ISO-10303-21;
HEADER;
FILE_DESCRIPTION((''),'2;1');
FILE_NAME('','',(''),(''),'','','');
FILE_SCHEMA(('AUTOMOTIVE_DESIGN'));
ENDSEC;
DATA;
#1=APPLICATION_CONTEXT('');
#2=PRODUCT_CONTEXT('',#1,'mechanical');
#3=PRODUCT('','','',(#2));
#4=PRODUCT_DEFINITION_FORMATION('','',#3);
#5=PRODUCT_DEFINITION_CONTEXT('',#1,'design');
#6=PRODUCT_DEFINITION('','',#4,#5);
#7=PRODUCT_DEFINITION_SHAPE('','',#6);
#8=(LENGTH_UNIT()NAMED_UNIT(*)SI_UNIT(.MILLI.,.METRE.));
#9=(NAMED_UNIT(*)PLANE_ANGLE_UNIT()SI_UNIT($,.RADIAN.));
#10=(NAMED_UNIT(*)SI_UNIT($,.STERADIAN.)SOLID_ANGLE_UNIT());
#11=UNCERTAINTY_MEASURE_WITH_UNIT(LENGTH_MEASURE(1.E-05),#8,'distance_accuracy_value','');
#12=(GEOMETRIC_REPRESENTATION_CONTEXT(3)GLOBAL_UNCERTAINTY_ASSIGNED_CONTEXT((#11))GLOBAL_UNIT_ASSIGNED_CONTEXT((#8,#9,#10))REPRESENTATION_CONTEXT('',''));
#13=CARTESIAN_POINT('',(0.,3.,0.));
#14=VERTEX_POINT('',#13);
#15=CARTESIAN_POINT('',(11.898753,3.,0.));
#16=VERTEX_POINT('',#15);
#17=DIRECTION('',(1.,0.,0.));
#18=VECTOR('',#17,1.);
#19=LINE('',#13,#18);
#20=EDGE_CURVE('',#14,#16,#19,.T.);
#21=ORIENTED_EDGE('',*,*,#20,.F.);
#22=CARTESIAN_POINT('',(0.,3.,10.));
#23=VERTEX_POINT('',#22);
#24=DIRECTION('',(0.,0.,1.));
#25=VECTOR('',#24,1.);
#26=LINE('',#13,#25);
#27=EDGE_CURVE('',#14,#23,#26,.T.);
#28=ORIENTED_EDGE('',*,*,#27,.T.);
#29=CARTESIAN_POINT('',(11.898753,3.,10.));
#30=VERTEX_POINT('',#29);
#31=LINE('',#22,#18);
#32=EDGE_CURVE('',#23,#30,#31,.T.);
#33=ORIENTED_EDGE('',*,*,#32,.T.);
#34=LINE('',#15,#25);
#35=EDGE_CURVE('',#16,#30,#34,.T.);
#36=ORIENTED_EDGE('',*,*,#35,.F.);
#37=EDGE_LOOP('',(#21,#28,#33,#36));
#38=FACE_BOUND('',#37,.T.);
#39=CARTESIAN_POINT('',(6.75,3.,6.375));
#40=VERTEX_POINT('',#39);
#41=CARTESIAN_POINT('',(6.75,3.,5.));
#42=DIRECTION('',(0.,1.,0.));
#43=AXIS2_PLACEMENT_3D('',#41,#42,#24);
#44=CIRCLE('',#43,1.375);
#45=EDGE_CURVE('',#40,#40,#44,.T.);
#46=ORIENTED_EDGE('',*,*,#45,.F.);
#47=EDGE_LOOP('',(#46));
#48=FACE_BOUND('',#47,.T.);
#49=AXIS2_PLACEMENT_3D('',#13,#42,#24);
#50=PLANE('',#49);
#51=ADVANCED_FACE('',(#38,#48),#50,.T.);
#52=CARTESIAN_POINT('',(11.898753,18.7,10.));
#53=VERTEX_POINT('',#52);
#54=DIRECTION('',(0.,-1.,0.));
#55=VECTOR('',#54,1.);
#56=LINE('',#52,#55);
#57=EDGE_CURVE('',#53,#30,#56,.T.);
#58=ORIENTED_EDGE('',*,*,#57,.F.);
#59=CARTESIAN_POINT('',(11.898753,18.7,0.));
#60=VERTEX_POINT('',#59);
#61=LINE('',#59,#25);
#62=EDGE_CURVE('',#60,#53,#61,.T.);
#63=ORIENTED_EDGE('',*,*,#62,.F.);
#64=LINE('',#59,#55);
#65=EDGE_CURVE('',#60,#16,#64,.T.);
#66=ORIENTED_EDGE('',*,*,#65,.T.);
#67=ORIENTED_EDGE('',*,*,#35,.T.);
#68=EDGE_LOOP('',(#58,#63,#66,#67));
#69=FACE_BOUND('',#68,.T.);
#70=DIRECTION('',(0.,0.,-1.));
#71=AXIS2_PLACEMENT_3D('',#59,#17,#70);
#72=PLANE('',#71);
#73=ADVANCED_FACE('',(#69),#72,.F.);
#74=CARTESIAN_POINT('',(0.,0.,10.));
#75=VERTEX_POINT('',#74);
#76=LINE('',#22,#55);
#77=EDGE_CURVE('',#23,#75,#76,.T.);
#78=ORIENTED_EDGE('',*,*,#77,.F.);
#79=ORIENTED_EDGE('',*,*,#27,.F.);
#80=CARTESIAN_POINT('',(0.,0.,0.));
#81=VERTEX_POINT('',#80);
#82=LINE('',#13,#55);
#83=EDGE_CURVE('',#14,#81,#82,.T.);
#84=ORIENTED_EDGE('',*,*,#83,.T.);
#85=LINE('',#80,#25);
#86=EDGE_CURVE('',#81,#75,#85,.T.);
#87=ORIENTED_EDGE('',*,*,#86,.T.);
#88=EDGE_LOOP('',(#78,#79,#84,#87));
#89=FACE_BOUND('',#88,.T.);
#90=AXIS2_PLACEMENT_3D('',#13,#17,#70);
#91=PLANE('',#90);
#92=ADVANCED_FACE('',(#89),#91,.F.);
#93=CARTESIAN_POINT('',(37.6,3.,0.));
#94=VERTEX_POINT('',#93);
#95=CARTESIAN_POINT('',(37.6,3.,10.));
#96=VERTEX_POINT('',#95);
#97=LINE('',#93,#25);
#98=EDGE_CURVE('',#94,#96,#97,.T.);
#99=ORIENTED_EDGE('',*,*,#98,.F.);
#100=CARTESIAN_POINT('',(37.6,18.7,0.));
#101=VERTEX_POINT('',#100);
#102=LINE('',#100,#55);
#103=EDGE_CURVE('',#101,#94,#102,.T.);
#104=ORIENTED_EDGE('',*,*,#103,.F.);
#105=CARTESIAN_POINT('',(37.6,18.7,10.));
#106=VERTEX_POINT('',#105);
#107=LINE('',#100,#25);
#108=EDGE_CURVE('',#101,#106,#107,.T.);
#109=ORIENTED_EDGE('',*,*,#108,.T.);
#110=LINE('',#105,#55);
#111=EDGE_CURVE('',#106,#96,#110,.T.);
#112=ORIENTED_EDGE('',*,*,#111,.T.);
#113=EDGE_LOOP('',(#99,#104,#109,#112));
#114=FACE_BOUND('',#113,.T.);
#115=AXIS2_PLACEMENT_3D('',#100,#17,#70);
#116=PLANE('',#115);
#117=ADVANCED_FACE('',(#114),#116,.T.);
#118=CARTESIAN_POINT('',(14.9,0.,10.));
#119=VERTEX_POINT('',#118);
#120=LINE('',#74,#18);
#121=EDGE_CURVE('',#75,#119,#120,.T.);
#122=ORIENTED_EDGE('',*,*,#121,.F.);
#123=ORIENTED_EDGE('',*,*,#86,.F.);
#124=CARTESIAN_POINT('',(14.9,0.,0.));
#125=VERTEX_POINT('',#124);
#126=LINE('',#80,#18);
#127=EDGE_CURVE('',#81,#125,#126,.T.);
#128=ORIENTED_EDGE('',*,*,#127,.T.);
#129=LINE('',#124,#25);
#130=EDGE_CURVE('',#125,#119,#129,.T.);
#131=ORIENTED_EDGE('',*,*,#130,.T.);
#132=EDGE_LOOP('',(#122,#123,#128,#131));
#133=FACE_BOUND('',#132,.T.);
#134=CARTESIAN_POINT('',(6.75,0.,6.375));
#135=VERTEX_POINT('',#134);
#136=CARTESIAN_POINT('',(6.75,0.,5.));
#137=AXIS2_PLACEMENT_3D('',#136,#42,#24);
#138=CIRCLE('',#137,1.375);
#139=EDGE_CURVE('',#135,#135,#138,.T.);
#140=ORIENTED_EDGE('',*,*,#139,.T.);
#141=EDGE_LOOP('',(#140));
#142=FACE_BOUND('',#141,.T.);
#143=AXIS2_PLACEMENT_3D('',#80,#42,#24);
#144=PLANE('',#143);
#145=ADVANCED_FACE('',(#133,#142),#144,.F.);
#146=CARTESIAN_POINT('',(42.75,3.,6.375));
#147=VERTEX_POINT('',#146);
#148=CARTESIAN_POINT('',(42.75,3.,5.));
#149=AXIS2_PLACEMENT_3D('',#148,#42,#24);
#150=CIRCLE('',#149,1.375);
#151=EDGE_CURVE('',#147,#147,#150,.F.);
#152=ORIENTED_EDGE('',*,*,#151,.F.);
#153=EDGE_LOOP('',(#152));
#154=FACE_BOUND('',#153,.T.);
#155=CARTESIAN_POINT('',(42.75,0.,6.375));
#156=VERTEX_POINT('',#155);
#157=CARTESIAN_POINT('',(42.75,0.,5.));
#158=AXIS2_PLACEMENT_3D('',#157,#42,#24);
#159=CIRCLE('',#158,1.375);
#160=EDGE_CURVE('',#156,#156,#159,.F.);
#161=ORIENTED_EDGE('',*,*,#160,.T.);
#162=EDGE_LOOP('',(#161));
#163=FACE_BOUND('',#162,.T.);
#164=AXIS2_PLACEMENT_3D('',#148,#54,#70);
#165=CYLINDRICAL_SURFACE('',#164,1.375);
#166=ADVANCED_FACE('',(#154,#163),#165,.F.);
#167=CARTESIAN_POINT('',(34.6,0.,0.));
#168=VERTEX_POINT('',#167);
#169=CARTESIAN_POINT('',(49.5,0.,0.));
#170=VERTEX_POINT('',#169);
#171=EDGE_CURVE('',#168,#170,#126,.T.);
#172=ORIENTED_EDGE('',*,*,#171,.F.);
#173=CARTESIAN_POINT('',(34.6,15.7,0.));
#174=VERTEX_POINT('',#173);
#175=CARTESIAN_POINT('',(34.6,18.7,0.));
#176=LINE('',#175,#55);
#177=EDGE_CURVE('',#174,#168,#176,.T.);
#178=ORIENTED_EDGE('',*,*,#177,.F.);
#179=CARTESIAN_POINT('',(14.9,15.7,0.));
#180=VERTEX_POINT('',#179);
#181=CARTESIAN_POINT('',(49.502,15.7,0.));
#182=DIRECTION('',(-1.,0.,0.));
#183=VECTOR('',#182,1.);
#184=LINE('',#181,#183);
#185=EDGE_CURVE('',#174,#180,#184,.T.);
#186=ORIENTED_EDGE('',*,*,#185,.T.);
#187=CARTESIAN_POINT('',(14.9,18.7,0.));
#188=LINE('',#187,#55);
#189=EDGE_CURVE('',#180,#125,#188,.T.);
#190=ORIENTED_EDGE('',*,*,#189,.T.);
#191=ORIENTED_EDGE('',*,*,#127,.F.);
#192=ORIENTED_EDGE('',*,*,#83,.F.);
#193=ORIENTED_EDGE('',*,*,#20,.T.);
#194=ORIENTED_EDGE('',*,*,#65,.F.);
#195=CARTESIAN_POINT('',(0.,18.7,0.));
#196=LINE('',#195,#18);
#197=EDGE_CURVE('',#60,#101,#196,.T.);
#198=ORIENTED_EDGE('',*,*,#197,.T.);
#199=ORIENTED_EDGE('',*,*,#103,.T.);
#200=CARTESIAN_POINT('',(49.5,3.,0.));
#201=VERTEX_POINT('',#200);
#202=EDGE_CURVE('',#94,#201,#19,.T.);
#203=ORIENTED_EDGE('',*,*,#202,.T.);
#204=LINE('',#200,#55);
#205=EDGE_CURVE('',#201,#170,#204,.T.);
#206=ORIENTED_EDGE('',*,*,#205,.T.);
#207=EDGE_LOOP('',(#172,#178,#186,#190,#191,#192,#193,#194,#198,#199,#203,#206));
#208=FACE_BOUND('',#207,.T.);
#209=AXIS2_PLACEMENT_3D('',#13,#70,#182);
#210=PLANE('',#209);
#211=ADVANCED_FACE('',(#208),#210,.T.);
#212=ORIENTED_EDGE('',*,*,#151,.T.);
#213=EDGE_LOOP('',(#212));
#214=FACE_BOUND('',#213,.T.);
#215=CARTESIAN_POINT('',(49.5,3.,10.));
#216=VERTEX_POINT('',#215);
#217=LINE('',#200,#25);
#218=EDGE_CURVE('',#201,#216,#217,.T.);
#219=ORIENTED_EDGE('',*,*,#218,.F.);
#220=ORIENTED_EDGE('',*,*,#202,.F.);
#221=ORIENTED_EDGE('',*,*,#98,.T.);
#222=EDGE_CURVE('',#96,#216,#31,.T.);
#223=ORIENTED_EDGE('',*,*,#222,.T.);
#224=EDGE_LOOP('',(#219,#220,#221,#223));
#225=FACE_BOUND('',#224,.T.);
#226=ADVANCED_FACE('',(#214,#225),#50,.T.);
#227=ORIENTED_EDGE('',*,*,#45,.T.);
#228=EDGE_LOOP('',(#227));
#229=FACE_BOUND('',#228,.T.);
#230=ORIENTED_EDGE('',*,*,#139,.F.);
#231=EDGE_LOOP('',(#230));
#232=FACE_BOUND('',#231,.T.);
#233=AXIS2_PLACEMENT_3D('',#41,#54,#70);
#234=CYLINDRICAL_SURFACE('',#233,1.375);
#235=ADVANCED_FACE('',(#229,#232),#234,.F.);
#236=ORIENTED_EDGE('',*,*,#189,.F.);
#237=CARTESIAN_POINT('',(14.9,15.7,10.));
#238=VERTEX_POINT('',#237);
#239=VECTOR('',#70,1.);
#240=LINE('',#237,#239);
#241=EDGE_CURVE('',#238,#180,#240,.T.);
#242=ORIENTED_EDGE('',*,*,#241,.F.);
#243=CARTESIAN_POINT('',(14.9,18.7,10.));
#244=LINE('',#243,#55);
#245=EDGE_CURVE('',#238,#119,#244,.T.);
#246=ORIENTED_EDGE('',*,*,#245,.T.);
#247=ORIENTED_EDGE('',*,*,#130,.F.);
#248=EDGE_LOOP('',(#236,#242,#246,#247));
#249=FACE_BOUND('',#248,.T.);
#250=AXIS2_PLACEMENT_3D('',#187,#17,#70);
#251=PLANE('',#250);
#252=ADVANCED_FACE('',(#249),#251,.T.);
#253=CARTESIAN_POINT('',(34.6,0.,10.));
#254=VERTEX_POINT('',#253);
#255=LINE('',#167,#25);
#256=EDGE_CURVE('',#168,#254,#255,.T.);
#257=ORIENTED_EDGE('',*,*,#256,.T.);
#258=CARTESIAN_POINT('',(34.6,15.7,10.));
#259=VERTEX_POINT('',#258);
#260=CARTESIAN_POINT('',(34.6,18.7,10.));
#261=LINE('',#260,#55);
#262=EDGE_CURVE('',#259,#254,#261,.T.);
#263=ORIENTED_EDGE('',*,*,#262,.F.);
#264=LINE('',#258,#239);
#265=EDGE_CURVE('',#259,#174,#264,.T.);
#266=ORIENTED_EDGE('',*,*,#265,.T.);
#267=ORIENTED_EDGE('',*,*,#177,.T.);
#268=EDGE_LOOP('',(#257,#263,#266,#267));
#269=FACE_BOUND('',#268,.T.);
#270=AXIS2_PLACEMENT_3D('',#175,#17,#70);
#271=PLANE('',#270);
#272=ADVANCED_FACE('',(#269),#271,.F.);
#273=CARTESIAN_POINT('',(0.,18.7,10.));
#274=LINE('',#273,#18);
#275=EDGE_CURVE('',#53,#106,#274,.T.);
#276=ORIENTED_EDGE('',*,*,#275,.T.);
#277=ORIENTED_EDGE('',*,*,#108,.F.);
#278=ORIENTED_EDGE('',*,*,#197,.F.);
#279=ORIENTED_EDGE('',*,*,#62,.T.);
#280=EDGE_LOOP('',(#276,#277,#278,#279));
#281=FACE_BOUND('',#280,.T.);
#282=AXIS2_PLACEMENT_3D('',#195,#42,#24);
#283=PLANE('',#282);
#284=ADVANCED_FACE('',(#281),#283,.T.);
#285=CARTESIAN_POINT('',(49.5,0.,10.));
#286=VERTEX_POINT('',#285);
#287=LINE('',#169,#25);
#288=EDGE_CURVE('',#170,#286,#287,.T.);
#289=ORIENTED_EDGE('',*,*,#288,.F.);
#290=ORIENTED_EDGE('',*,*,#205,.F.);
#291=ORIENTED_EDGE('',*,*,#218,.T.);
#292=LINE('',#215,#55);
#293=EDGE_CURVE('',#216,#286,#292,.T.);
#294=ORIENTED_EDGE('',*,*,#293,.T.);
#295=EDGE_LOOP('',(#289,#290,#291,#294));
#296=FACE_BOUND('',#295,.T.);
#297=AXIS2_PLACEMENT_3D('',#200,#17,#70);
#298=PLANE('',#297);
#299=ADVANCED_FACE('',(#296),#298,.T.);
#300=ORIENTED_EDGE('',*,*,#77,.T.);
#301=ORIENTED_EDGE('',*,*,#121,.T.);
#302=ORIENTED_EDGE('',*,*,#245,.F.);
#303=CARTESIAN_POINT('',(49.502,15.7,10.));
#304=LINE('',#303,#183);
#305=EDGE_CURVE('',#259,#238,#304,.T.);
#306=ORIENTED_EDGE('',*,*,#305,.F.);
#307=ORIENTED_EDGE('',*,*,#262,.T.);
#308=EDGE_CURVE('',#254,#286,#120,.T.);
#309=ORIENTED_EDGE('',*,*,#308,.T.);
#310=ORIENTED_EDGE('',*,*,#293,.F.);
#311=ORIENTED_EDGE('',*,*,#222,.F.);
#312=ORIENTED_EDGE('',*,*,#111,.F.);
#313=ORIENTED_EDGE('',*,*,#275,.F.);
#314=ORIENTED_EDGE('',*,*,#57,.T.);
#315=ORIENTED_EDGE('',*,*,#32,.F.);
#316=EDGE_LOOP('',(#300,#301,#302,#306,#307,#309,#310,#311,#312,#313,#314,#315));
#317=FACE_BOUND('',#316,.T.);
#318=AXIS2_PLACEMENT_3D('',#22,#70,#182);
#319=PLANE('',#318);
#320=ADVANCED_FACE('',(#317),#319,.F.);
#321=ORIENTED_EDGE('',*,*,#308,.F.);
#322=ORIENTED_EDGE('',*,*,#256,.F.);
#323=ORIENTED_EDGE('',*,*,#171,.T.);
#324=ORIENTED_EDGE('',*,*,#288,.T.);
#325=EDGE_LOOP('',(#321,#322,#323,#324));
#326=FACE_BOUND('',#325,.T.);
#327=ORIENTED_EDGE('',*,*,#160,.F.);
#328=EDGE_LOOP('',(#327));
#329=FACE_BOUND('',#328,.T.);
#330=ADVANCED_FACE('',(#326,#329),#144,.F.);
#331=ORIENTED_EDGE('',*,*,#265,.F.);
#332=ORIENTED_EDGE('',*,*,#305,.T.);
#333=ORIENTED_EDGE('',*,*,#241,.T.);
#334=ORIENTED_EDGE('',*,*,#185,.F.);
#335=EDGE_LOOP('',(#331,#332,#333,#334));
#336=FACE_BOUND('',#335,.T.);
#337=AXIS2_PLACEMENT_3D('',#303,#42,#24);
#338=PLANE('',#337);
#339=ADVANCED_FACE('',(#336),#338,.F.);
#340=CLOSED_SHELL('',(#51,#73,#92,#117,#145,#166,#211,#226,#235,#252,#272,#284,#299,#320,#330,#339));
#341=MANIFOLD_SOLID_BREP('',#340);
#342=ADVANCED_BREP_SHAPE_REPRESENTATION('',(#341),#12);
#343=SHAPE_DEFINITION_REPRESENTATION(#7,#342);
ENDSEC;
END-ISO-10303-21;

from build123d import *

# Parameters (mm, degrees)
SKETCH1_W             = 11.9
SKETCH1_H             = 10
SKETCH1_R             = 1.375
BOSS_EXTRUDE1_DEPTH   = 3
SKETCH1_W_2           = 11.89875271
BOSS_EXTRUDE1_2_DEPTH = 3
SKETCH1_4_W           = 3
SKETCH1_4_H           = 10
SKETCH1_4_W_2         = 3.00124729
BOSS_EXTRUDE2_DEPTH   = 18.7
BOSS_EXTRUDE3_REACH   = 42.581
SKETCH3_W             = 10
SKETCH3_H             = 3


with BuildPart() as part:
    # Sketch1 → Boss-Extrude1 (new body)
    with BuildSketch(Plane(origin=(0, 0, 0), x_dir=(1, 0, 0), z_dir=(0, 1, 0))):
        with Locations((43.55, -5)):
            Rectangle(SKETCH1_W, SKETCH1_H)
        with Locations((42.75, -5)):
            Circle(SKETCH1_R, mode=Mode.SUBTRACT)
    extrude(amount=BOSS_EXTRUDE1_DEPTH)



with BuildPart() as body_2:
    # Sketch1 → Boss-Extrude1 2 (new body)
    with BuildSketch(Plane(origin=(0, 0, 0), x_dir=(1, 0, 0), z_dir=(0, 1, 0))):
        with Locations((5.949376355, -5)):
            Rectangle(SKETCH1_W_2, SKETCH1_H)
        with Locations((6.75, -5)):
            Circle(SKETCH1_R, mode=Mode.SUBTRACT)
    extrude(amount=BOSS_EXTRUDE1_2_DEPTH)


with BuildPart() as part_1:
    add(part.part)

    add(body_2.part)  # Boss-Extrude2 merges body 2
    # Sketch1<4> → Boss-Extrude2 (add)
    with BuildSketch(Plane(origin=(0, 0, 0), x_dir=(1, 0, 0), z_dir=(0, 1, 0))):
        with Locations((36.1, -5)):
            Rectangle(SKETCH1_4_W, SKETCH1_4_H)
        with Locations((13.399376355, -5)):
            Rectangle(SKETCH1_4_W_2, SKETCH1_4_H)
    extrude(amount=BOSS_EXTRUDE2_DEPTH)

    # Sketch3 → Boss-Extrude3 (add, up to next)
    with BuildSketch(Plane(origin=(14.9, 0, 0), x_dir=(0, 0, -1), z_dir=(1, 0, 0)), mode=Mode.PRIVATE) as boss_extrude3_sk1:
        with Locations((-5, 17.2)):
            Rectangle(SKETCH3_W, SKETCH3_H)
    boss_extrude3_tool1 = extrude(boss_extrude3_sk1.sketch, amount=BOSS_EXTRUDE3_REACH, mode=Mode.PRIVATE) - part_1.part
    add(boss_extrude3_tool1.solids().sort_by_distance((14.9, 17.2, 5))[0])


solid = part_1.part
